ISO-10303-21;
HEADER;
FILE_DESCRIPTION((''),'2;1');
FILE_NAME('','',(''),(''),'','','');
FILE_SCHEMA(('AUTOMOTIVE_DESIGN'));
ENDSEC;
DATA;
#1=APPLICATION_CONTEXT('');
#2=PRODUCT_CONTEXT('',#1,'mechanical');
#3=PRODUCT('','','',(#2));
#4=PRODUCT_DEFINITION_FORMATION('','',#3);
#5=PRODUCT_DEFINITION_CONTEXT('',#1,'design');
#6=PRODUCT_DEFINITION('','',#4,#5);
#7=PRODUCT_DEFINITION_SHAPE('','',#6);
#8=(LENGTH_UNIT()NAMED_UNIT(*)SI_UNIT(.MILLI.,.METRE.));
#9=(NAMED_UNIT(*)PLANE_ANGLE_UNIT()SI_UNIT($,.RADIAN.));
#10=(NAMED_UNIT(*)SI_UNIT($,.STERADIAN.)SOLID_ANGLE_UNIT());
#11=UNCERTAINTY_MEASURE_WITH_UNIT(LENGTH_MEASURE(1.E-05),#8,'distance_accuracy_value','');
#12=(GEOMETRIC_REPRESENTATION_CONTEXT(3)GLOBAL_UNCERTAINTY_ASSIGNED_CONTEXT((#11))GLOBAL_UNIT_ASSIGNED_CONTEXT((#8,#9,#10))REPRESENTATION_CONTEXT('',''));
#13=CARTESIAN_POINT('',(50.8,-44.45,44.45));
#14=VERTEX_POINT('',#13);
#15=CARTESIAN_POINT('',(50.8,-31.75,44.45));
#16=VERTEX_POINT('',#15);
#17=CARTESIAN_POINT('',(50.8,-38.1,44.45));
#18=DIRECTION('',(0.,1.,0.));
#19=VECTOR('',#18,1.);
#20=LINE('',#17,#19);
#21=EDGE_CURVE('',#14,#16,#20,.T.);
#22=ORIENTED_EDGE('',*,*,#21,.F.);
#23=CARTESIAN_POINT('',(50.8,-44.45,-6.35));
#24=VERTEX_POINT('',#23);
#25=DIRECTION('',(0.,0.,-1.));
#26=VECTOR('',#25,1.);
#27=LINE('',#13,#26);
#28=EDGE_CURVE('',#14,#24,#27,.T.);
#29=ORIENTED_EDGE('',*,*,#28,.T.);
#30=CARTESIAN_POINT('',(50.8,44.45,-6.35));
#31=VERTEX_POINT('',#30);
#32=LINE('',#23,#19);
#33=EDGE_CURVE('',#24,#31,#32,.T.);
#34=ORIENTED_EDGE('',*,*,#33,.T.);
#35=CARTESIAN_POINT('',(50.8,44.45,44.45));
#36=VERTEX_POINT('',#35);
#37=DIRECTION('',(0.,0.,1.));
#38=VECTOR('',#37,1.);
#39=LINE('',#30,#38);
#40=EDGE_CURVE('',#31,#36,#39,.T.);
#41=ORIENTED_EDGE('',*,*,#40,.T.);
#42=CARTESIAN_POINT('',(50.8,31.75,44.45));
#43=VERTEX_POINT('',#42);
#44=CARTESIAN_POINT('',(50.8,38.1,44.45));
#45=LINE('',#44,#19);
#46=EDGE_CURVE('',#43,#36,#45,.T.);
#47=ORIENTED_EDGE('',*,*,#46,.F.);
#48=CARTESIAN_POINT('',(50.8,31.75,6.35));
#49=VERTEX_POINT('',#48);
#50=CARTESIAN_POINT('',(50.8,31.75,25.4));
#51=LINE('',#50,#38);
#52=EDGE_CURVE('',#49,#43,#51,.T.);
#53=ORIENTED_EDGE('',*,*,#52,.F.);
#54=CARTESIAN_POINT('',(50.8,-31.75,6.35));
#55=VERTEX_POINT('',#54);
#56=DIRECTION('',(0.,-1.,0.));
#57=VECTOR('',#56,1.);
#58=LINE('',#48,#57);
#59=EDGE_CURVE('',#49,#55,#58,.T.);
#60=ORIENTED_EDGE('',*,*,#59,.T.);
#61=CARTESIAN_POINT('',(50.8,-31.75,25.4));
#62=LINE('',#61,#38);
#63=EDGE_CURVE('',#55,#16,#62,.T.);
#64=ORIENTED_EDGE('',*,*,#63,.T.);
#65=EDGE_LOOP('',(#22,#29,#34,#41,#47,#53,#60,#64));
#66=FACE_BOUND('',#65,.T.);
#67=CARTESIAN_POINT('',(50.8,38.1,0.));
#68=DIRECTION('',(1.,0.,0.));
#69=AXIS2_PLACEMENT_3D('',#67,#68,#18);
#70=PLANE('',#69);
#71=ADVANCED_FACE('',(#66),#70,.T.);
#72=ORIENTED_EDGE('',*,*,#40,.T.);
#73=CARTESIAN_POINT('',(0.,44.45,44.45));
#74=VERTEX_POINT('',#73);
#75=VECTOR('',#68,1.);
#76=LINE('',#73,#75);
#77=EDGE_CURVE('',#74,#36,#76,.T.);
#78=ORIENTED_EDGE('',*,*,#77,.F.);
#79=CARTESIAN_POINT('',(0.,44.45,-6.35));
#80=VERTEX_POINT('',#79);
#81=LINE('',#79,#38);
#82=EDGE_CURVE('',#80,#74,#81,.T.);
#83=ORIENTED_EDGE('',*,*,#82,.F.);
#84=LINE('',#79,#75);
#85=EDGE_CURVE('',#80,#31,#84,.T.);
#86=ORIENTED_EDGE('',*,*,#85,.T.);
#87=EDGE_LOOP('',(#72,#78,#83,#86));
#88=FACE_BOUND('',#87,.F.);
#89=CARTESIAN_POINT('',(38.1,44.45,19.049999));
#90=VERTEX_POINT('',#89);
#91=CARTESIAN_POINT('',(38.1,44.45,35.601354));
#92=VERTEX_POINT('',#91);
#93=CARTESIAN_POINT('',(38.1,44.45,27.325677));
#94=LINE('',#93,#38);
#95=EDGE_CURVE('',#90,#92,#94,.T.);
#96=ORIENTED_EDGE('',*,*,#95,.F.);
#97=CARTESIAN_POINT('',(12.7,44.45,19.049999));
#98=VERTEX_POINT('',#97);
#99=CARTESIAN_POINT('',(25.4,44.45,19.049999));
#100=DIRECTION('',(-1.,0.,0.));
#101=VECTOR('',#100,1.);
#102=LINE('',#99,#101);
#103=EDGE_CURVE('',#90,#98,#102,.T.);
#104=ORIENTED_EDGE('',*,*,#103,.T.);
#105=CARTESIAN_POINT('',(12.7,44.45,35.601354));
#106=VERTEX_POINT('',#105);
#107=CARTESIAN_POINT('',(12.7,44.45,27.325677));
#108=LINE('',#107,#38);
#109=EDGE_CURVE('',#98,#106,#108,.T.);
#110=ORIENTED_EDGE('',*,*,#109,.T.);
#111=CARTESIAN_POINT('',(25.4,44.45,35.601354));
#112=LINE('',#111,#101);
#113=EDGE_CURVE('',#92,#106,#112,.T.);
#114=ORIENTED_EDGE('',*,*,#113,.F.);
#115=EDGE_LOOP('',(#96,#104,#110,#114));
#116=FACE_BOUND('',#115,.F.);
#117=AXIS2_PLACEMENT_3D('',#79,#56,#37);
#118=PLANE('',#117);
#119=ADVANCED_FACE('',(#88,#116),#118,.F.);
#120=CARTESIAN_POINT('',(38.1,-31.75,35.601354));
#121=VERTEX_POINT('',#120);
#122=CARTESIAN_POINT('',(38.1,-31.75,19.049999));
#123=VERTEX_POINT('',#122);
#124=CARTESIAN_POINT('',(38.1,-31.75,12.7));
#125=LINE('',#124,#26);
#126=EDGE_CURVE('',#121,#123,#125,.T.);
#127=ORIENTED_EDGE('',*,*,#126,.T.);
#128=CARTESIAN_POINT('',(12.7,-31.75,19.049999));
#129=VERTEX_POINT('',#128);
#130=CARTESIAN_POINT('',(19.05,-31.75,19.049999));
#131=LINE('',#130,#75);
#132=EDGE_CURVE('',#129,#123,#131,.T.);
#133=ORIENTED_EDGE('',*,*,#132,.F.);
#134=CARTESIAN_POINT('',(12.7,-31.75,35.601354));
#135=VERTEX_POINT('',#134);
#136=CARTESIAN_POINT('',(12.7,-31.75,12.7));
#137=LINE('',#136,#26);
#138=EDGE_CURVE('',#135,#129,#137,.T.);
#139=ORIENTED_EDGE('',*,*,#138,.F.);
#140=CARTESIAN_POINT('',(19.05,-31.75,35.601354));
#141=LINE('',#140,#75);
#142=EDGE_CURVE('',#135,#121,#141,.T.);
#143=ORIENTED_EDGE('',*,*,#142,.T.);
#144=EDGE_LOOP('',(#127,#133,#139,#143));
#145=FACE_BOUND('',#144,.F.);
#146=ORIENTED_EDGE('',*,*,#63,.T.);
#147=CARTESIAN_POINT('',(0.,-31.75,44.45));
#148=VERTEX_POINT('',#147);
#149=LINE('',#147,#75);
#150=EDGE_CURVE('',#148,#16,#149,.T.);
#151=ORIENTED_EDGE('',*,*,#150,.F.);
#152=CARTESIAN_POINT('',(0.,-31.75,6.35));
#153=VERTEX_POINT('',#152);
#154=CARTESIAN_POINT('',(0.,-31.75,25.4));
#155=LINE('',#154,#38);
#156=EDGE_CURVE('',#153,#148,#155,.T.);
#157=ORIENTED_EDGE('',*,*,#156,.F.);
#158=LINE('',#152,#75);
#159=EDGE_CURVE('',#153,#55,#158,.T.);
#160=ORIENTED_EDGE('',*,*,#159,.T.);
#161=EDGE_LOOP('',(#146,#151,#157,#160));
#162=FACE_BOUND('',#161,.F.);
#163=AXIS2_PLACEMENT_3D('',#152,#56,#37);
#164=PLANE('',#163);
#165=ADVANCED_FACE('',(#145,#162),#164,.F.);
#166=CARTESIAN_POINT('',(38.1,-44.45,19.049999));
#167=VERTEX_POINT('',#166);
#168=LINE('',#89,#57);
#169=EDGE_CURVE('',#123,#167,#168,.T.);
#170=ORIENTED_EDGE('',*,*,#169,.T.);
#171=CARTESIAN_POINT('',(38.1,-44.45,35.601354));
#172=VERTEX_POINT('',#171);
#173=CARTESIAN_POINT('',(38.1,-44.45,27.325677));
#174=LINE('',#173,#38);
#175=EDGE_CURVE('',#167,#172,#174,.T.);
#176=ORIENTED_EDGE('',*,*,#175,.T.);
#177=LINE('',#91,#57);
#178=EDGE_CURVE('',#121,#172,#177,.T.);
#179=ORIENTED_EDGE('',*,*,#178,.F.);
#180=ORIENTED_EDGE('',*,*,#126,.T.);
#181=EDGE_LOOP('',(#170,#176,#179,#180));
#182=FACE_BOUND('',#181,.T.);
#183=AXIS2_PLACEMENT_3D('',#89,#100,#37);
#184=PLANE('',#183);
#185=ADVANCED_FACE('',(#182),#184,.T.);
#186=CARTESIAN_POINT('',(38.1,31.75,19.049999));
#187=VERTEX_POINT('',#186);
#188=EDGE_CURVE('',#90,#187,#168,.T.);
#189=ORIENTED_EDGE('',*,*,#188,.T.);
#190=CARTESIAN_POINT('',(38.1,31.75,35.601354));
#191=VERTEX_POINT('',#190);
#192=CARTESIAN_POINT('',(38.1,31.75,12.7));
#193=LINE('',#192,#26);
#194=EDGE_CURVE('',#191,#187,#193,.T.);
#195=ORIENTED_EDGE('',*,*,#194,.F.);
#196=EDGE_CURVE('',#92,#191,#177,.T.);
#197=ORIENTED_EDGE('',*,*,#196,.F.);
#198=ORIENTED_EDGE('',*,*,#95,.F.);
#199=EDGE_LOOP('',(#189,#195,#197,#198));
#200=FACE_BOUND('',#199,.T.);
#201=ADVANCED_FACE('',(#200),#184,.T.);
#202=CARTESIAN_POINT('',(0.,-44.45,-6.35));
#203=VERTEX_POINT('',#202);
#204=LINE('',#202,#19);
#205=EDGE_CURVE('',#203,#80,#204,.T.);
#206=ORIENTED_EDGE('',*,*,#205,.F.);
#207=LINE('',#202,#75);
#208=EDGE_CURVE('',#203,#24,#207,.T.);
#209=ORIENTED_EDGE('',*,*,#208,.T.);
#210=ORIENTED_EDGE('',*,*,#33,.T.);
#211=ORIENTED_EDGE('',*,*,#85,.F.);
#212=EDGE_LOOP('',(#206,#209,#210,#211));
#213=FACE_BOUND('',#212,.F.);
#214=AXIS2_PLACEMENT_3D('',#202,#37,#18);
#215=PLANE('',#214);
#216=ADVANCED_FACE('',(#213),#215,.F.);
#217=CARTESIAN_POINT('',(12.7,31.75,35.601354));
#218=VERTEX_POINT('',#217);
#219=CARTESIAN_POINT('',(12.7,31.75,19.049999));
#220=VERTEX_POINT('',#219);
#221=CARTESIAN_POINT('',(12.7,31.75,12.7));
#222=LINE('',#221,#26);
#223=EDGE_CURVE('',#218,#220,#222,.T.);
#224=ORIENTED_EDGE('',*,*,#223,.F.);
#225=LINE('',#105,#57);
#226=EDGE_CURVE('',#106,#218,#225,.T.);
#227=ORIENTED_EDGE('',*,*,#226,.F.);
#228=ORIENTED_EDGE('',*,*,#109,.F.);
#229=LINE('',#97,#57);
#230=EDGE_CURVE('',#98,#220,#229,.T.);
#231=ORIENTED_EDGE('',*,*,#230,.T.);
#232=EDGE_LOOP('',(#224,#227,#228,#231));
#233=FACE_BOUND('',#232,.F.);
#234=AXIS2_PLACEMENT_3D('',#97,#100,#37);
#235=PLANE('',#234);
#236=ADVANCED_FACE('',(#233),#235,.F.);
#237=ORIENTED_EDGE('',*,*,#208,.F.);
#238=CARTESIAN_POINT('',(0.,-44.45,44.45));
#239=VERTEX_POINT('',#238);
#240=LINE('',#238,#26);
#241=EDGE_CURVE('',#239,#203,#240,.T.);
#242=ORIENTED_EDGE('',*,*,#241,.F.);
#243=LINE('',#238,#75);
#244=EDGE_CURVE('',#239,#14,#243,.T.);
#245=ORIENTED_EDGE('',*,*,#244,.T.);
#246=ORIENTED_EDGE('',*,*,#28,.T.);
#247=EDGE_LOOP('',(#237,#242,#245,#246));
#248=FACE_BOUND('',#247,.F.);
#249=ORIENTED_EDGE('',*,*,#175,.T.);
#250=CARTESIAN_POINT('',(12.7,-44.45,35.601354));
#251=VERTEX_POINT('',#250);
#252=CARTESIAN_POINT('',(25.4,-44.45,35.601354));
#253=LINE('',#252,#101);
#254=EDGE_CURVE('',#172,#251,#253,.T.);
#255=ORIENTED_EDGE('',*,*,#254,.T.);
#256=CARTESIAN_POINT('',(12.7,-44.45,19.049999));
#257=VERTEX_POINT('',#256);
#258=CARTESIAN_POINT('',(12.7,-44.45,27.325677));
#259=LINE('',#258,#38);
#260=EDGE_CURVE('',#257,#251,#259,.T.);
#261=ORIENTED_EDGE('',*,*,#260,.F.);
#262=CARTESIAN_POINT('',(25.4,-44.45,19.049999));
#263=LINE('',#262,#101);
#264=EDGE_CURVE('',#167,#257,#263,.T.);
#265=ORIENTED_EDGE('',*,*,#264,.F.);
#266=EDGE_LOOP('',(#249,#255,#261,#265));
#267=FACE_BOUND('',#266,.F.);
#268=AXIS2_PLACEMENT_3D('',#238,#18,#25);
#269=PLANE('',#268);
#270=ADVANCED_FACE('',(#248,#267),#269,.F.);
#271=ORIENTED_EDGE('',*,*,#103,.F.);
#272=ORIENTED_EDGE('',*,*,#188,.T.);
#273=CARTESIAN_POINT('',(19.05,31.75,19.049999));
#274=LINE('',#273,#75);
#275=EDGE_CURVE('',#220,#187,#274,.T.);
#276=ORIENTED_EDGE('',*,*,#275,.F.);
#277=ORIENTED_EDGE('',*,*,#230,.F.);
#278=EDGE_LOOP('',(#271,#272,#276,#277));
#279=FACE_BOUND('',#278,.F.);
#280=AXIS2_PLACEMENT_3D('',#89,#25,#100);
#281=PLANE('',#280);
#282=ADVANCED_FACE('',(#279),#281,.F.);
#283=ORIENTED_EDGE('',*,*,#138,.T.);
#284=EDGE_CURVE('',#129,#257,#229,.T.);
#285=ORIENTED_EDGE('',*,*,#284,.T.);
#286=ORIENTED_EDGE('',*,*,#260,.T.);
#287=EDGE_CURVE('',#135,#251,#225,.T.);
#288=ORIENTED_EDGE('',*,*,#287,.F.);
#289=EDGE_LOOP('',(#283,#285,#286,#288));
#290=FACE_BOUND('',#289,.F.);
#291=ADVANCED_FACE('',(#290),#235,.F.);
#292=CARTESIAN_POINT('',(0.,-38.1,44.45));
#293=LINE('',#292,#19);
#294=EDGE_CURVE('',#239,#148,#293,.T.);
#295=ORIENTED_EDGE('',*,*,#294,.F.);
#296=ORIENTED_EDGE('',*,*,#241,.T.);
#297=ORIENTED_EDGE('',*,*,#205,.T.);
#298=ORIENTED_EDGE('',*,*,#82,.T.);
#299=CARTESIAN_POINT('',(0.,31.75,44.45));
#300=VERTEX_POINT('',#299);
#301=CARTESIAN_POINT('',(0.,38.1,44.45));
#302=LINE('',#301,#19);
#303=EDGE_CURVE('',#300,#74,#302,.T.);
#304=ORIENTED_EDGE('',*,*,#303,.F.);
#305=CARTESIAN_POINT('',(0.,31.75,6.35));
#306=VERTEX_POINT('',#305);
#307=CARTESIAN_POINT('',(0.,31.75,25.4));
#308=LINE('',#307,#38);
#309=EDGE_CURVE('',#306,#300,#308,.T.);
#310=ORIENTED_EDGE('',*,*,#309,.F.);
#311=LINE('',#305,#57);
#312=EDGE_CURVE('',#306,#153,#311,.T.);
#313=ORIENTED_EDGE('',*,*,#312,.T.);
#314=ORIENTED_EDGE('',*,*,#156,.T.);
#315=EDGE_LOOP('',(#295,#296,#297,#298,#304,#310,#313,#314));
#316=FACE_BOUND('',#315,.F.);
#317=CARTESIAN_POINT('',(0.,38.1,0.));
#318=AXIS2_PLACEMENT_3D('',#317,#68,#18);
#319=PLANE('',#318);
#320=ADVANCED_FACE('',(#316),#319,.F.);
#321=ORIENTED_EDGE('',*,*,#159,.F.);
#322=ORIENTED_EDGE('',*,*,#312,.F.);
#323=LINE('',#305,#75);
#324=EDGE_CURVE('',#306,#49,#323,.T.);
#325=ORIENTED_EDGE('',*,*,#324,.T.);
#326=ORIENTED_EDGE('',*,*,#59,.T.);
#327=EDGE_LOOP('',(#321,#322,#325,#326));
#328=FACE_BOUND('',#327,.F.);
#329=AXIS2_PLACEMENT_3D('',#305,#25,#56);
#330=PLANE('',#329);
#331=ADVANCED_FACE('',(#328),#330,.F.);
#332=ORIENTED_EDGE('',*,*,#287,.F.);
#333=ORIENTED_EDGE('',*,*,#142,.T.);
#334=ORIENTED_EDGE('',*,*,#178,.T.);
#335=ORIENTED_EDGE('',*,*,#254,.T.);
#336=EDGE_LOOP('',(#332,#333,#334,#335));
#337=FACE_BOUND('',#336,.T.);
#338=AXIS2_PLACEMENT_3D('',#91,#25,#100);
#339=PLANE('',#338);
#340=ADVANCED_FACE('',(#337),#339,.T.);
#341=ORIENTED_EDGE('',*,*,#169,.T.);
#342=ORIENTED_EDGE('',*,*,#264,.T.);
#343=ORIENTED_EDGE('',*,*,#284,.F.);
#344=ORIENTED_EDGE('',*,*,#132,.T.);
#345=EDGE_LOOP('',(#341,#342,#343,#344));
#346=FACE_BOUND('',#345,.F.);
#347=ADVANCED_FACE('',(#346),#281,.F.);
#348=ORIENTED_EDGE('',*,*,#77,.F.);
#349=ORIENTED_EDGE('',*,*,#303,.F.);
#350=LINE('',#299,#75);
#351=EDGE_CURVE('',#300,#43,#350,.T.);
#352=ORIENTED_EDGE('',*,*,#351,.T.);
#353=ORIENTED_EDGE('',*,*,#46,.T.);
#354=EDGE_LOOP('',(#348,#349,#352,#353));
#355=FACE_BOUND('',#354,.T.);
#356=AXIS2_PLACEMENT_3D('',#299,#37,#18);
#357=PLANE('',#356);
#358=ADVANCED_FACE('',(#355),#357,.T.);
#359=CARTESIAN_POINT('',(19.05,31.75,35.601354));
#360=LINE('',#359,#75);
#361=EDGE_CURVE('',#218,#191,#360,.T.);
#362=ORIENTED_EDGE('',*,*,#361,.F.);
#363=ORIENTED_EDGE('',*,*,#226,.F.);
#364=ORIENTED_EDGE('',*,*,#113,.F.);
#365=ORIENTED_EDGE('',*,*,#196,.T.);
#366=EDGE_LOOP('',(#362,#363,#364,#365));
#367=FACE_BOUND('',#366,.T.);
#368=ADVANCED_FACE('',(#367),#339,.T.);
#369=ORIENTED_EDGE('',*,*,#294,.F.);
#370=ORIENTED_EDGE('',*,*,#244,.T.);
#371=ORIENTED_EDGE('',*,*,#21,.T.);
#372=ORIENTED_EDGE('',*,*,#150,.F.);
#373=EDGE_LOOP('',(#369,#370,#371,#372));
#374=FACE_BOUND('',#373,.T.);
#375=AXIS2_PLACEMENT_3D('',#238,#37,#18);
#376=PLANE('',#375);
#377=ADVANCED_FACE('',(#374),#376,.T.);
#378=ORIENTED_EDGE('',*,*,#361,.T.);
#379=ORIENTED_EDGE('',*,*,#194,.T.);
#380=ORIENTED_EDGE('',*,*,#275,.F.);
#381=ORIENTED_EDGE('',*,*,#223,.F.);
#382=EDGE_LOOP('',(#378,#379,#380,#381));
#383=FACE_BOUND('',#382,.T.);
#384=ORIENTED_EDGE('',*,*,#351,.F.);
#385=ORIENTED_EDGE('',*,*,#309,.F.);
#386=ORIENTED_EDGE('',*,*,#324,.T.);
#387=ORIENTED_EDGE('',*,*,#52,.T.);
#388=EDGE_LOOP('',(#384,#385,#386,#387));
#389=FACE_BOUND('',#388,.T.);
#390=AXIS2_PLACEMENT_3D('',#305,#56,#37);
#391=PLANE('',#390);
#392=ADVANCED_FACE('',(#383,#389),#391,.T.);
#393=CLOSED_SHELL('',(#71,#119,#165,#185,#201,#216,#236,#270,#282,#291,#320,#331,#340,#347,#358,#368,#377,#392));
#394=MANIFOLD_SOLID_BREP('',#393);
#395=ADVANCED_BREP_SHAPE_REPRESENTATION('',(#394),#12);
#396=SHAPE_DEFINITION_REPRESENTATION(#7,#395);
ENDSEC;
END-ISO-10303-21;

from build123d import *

# Parameters (mm, degrees)
F0_W     = 12.7
F0_H     = 12.7
F0_W_2   = 63.5
F0_H_2   = 38.1
F1_DEPTH = 50.8
F2_W     = 25.4
F2_H     = 16.551355
F3_DEPTH = 88.9


with BuildPart() as f1:
    # F0 (on Right) → F1 (new body)
    with BuildSketch(Plane.YZ):
        with Locations((38.1, 0)):
            Rectangle(F0_W, F0_H)
        Rectangle(F0_W_2, F0_H)
        with Locations((38.1, 25.4)):
            Rectangle(F0_W, F0_H_2)
        with Locations((-38.1, 0)):
            Rectangle(F0_W, F0_H)
        with Locations((-38.1, 25.4)):
            Rectangle(F0_W, F0_H_2)
    extrude(amount=F1_DEPTH)

    # F2 (on face) → F3 (cut)
    with BuildSketch(Plane(origin=(0, 44.45, 0), x_dir=(-1, 0, 0), z_dir=(0, 1, 0))):
        with Locations((-25.4, 27.325677)):
            Rectangle(F2_W, F2_H)
    extrude(amount=-F3_DEPTH, mode=Mode.SUBTRACT)


solid = f1.part
